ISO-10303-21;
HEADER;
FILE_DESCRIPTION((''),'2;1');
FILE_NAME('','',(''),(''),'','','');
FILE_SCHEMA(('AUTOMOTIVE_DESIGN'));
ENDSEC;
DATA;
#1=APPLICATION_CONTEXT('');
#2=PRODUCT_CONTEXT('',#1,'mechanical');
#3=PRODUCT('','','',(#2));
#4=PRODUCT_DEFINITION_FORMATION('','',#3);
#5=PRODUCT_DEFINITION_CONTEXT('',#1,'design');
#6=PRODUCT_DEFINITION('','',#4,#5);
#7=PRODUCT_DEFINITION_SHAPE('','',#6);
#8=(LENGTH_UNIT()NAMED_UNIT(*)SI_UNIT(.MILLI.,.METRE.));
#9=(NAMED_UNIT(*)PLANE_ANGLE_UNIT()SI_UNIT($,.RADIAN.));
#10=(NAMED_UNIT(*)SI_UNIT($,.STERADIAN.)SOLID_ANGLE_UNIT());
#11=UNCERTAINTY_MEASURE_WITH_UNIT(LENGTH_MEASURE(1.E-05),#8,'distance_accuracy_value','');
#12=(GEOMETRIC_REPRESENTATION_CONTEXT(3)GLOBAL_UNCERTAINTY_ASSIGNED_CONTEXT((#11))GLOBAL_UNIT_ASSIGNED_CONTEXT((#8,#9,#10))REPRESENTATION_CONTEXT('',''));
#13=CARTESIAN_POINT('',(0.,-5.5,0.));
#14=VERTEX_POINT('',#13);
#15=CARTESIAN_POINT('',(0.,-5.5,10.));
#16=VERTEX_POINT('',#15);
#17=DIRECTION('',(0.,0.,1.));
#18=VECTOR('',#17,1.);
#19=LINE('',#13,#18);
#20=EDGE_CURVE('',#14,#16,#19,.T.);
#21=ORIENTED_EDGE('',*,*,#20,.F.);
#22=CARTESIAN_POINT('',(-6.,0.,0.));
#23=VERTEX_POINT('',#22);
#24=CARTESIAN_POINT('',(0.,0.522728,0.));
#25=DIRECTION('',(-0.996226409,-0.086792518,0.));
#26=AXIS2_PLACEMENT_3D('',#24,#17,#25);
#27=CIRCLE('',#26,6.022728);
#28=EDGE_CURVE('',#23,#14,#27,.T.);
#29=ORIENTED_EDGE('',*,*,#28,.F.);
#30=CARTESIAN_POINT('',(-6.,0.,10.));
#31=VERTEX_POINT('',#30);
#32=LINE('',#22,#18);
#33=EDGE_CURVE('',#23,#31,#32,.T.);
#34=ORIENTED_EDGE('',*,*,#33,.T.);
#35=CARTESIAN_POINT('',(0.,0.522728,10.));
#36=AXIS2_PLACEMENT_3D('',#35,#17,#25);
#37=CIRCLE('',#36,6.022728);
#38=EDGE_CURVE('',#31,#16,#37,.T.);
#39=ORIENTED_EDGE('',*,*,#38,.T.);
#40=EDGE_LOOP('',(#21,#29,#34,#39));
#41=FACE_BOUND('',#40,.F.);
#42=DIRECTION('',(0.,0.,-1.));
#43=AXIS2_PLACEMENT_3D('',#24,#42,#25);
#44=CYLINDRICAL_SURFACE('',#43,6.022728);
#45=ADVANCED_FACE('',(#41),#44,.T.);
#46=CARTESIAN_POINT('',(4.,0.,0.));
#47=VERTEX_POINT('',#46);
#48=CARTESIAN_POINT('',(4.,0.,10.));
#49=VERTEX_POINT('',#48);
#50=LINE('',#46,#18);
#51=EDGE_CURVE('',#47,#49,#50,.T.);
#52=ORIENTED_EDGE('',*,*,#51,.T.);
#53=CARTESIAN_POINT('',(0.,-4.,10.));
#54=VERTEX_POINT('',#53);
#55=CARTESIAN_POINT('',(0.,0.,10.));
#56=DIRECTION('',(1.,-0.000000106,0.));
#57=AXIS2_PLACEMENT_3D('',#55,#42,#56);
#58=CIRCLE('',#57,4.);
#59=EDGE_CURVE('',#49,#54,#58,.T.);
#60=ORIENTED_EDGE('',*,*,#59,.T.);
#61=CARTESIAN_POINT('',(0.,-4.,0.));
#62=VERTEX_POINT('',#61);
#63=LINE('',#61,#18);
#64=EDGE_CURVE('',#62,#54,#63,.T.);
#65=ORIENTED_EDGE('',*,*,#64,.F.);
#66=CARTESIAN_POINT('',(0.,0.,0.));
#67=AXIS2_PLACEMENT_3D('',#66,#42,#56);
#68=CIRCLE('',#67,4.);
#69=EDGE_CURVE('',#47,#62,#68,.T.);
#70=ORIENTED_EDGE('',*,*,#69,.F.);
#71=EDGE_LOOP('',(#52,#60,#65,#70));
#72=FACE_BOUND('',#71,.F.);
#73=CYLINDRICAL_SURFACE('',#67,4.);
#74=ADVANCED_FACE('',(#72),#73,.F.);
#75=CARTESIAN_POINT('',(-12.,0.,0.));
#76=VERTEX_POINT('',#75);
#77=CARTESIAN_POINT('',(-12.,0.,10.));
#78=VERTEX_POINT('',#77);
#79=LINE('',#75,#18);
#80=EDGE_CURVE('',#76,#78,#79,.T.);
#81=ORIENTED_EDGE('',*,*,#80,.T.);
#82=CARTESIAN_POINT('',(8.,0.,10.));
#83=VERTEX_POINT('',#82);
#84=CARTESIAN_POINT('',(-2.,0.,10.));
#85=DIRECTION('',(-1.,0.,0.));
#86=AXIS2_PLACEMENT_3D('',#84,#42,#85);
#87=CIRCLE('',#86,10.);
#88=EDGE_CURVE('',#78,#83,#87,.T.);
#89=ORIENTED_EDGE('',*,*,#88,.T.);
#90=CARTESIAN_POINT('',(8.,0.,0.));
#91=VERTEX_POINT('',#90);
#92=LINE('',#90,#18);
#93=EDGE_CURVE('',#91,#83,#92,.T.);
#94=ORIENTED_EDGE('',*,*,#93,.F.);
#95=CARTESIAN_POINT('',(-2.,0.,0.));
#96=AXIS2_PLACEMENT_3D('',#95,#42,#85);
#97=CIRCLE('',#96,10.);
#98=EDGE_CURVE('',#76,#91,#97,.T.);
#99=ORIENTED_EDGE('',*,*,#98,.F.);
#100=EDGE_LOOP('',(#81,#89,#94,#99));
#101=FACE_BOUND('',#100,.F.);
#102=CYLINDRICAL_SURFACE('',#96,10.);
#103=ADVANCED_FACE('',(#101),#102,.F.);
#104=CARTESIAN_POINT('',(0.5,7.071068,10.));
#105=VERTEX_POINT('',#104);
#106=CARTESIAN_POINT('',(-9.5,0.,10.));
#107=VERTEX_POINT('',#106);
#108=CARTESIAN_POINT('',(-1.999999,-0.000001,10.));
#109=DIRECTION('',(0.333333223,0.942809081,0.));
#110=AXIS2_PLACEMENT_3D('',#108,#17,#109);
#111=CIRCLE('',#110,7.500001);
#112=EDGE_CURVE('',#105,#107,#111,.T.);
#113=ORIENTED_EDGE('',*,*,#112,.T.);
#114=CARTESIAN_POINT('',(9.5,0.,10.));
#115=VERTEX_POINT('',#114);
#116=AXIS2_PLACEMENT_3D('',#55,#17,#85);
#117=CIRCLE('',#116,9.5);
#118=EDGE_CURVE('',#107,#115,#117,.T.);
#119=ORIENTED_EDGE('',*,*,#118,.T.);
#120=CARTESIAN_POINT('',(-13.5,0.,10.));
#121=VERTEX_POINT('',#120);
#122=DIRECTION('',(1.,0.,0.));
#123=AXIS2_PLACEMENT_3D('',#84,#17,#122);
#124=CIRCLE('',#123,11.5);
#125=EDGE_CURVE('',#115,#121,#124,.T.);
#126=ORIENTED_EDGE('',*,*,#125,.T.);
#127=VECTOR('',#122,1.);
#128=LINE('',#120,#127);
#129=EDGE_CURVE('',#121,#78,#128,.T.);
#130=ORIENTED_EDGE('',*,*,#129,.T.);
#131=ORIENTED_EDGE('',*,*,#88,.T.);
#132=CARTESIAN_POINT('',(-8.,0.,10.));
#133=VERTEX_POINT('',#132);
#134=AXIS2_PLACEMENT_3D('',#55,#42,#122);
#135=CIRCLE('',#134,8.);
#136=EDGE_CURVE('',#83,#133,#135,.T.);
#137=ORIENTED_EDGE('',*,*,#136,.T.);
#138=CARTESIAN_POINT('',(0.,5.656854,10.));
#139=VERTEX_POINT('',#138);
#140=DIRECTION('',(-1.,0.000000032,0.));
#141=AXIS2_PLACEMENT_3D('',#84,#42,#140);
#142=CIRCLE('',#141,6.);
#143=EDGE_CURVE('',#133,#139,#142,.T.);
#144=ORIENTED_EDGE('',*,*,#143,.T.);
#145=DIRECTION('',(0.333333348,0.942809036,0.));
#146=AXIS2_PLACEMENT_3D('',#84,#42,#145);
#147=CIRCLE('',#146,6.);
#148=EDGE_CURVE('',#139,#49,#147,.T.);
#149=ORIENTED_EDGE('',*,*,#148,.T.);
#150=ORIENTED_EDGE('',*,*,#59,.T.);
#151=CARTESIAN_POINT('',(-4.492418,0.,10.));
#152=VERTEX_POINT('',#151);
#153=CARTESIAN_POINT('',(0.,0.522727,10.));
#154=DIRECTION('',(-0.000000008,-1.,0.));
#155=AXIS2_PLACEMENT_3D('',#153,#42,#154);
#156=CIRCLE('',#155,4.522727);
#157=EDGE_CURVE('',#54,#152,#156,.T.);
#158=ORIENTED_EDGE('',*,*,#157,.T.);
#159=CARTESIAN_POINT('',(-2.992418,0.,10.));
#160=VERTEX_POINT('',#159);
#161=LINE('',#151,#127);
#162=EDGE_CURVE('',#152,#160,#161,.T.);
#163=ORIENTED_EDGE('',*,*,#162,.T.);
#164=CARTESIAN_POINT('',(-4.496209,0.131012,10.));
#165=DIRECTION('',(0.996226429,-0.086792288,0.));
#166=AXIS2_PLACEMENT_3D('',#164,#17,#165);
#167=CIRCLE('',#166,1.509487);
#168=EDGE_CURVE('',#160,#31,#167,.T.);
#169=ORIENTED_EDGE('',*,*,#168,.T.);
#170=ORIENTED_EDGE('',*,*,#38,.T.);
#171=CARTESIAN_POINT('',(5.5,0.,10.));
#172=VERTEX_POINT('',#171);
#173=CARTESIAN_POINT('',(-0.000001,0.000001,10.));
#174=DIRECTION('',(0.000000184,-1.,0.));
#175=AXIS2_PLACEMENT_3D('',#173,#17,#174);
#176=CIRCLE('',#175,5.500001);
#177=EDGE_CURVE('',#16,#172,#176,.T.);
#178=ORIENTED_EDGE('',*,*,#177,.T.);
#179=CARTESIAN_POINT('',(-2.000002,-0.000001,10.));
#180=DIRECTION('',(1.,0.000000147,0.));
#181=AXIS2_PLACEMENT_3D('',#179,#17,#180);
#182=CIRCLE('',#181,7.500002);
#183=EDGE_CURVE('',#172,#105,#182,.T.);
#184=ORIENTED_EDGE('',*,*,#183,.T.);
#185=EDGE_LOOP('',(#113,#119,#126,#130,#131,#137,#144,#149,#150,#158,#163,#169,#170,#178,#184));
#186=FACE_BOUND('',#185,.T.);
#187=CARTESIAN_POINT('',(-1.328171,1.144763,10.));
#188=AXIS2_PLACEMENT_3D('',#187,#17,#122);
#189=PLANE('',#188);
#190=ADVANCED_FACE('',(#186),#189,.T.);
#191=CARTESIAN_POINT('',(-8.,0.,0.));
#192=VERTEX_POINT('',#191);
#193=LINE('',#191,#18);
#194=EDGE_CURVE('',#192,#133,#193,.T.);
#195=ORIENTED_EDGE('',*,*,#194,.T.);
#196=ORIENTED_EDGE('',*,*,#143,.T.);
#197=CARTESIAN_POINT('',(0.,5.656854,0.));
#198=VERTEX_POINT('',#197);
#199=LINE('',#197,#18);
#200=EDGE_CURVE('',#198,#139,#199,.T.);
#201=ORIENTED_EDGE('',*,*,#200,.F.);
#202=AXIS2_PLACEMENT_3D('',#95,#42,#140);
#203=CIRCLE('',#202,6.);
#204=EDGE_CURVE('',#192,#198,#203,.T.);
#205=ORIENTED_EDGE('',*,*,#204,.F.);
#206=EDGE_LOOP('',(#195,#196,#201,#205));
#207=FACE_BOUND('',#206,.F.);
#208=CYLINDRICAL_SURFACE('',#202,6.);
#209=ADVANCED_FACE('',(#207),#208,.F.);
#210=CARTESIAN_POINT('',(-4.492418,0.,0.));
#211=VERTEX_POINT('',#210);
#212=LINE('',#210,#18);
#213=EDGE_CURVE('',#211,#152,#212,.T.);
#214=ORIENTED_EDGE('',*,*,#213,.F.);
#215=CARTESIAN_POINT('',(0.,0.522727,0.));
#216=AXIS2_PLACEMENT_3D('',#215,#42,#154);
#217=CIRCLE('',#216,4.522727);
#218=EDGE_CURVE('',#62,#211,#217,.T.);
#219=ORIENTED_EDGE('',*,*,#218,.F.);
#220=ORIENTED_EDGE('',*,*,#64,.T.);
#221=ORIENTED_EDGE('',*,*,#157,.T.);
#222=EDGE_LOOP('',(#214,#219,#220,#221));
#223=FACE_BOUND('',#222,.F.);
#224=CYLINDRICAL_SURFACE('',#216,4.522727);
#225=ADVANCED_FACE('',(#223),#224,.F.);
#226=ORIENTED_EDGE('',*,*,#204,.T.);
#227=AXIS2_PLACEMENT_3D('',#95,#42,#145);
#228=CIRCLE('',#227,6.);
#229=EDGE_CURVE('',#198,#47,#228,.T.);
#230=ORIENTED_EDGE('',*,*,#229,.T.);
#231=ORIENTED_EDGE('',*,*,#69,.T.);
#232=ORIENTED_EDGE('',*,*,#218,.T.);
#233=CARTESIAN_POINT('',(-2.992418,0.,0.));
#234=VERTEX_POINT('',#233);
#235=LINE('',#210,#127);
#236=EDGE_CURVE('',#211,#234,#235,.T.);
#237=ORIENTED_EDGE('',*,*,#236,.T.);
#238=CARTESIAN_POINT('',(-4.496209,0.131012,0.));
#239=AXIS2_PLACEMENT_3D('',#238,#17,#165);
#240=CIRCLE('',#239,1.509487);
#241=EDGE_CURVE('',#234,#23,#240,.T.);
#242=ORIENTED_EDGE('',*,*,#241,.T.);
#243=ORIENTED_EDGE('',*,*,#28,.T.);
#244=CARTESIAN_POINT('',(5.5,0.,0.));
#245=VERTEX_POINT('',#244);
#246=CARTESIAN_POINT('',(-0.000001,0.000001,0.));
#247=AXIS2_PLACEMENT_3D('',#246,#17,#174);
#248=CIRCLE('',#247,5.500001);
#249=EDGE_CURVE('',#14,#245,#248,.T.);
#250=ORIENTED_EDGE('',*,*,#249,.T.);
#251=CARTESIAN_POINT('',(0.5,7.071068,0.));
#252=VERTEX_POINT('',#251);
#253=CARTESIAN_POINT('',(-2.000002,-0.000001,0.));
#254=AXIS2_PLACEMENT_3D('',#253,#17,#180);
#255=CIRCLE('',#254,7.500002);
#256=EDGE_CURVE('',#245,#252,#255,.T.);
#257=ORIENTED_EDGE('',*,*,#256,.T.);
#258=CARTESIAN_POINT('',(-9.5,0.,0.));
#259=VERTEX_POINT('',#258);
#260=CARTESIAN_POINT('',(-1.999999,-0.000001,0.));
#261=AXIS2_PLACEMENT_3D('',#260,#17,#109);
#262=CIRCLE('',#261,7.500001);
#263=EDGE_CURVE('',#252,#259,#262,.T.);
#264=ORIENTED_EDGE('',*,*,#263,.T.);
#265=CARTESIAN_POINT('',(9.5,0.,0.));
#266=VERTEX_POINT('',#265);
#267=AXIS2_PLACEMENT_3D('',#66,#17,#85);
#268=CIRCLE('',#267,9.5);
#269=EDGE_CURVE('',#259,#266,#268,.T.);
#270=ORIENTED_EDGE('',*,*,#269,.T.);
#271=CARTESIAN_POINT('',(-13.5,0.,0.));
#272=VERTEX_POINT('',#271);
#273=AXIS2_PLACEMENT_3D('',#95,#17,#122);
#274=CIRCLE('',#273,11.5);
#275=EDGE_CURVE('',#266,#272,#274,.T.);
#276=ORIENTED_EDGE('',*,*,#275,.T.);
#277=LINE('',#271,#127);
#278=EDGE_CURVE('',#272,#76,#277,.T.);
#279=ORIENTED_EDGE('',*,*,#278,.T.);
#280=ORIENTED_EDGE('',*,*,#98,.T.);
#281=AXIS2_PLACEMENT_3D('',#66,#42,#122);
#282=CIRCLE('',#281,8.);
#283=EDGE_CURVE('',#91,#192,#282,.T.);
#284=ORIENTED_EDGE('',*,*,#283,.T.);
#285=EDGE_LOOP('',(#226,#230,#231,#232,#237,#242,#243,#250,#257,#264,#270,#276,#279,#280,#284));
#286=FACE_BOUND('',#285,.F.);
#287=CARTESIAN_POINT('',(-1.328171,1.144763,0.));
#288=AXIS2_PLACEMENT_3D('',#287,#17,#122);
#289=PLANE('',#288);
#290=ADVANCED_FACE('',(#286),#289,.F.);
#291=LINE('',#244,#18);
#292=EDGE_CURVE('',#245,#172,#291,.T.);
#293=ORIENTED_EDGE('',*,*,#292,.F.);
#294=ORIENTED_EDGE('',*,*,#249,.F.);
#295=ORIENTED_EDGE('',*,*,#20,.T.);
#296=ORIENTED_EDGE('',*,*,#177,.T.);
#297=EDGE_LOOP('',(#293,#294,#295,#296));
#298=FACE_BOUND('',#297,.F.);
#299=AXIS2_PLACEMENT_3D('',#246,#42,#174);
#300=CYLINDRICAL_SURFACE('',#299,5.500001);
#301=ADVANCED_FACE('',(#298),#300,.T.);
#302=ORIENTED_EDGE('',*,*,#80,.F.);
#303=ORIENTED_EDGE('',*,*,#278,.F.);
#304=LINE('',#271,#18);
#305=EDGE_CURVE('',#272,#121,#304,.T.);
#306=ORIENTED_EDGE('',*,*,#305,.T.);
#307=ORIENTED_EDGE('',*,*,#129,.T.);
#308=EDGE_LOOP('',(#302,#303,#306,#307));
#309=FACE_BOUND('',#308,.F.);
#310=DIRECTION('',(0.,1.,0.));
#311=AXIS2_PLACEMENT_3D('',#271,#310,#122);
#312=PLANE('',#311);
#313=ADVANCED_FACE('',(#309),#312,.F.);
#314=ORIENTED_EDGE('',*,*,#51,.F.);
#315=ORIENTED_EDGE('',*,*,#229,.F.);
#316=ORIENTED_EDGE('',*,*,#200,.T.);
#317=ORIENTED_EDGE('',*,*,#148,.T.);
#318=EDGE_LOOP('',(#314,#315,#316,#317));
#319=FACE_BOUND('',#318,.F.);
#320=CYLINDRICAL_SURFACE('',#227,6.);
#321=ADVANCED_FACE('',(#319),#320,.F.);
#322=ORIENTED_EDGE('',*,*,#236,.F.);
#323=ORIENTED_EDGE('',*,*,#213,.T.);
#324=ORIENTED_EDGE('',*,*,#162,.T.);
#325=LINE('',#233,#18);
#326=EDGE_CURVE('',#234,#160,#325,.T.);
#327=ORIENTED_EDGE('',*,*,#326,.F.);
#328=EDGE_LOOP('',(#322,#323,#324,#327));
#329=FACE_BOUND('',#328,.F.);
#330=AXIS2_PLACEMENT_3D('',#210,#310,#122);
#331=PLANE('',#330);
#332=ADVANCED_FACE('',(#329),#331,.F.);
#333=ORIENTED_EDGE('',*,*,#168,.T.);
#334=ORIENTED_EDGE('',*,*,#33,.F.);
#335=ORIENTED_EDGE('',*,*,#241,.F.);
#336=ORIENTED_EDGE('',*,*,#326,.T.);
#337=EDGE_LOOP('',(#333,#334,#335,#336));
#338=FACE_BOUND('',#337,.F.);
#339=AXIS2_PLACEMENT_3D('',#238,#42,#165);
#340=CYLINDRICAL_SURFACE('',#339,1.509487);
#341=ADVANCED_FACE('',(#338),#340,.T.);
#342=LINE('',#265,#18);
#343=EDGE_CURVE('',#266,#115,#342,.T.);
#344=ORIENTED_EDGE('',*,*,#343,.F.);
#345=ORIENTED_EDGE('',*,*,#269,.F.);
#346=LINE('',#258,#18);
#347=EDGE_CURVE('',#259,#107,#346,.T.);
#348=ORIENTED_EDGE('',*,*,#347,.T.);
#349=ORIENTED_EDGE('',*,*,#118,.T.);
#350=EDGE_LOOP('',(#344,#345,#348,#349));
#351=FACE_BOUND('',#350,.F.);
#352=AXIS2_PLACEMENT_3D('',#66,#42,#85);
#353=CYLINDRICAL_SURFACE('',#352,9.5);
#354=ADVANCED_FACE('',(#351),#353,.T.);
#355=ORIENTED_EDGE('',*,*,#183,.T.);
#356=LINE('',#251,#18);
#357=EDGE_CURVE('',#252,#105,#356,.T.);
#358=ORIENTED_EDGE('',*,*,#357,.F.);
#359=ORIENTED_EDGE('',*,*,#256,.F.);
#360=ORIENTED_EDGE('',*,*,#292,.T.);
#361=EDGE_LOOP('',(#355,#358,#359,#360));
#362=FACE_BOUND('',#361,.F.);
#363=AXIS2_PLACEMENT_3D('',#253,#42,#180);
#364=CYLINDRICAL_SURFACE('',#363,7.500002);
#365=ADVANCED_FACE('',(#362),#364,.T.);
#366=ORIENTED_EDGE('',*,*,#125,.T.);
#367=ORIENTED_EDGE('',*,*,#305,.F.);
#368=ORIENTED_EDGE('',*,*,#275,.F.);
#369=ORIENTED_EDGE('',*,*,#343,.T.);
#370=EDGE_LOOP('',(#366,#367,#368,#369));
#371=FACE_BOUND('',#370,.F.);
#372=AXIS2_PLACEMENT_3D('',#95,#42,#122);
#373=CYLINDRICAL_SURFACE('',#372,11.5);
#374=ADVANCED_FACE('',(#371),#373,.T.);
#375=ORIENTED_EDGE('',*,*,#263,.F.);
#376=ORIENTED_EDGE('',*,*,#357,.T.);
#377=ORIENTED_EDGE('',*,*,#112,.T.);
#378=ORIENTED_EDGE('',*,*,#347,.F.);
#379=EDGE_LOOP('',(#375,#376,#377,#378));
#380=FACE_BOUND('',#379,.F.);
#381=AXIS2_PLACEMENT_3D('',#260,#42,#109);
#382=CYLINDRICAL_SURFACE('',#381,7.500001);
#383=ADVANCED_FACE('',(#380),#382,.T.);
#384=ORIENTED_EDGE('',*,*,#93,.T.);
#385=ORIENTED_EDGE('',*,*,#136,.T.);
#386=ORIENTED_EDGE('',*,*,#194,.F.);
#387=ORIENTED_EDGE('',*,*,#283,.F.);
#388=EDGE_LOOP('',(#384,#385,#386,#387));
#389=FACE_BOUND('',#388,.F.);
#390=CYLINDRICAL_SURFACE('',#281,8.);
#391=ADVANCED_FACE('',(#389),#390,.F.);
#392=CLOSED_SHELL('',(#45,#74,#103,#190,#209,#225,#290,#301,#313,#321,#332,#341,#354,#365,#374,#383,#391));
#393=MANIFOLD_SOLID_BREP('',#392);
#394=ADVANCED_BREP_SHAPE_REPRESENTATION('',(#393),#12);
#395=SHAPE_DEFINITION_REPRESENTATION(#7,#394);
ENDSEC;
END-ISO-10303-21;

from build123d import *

# Parameters (mm, degrees)
F1_DEPTH = 10


with BuildPart() as f1:
    # F0 (on Top) → F1 (new body)
    with BuildSketch(Plane.XY):
        with BuildLine():
            ThreePointArc((0, 5.656854), (2.898979, 3.464102), (4, 0))
            ThreePointArc((4, 0), (2.828427, -2.828427), (0, -4))
            ThreePointArc((0, -4), (-3.007566, -2.855084), (-4.492418, 0))
            Line((-4.492418, 0), (-2.992418, 0))
            ThreePointArc((-2.992418, 0), (-4.496209, 1.640499), (-6, 0))
            ThreePointArc((-6, 0), (-4.069705, -3.916951), (0, -5.5))
            ThreePointArc((0, -5.5), (3.889087, -3.889087), (5.5, 0))
            ThreePointArc((5.5, 0), (4.123724, 4.330127), (0.5, 7.071068))
            ThreePointArc((0.5, 7.071068), (-6.330127, 6.123724), (-9.5, 0))
            ThreePointArc((-9.5, 0), (0, -9.5), (9.5, 0))
            ThreePointArc((9.5, 0), (-2, 11.5), (-13.5, 0))
            Line((-13.5, 0), (-12, 0))
            ThreePointArc((-12, 0), (-2, 10), (8, 0))
            ThreePointArc((8, 0), (0, -8), (-8, 0))
            ThreePointArc((-8, 0), (-5.464102, 4.898979), (0, 5.656854))
        make_face()
    extrude(amount=F1_DEPTH)


solid = f1.part
